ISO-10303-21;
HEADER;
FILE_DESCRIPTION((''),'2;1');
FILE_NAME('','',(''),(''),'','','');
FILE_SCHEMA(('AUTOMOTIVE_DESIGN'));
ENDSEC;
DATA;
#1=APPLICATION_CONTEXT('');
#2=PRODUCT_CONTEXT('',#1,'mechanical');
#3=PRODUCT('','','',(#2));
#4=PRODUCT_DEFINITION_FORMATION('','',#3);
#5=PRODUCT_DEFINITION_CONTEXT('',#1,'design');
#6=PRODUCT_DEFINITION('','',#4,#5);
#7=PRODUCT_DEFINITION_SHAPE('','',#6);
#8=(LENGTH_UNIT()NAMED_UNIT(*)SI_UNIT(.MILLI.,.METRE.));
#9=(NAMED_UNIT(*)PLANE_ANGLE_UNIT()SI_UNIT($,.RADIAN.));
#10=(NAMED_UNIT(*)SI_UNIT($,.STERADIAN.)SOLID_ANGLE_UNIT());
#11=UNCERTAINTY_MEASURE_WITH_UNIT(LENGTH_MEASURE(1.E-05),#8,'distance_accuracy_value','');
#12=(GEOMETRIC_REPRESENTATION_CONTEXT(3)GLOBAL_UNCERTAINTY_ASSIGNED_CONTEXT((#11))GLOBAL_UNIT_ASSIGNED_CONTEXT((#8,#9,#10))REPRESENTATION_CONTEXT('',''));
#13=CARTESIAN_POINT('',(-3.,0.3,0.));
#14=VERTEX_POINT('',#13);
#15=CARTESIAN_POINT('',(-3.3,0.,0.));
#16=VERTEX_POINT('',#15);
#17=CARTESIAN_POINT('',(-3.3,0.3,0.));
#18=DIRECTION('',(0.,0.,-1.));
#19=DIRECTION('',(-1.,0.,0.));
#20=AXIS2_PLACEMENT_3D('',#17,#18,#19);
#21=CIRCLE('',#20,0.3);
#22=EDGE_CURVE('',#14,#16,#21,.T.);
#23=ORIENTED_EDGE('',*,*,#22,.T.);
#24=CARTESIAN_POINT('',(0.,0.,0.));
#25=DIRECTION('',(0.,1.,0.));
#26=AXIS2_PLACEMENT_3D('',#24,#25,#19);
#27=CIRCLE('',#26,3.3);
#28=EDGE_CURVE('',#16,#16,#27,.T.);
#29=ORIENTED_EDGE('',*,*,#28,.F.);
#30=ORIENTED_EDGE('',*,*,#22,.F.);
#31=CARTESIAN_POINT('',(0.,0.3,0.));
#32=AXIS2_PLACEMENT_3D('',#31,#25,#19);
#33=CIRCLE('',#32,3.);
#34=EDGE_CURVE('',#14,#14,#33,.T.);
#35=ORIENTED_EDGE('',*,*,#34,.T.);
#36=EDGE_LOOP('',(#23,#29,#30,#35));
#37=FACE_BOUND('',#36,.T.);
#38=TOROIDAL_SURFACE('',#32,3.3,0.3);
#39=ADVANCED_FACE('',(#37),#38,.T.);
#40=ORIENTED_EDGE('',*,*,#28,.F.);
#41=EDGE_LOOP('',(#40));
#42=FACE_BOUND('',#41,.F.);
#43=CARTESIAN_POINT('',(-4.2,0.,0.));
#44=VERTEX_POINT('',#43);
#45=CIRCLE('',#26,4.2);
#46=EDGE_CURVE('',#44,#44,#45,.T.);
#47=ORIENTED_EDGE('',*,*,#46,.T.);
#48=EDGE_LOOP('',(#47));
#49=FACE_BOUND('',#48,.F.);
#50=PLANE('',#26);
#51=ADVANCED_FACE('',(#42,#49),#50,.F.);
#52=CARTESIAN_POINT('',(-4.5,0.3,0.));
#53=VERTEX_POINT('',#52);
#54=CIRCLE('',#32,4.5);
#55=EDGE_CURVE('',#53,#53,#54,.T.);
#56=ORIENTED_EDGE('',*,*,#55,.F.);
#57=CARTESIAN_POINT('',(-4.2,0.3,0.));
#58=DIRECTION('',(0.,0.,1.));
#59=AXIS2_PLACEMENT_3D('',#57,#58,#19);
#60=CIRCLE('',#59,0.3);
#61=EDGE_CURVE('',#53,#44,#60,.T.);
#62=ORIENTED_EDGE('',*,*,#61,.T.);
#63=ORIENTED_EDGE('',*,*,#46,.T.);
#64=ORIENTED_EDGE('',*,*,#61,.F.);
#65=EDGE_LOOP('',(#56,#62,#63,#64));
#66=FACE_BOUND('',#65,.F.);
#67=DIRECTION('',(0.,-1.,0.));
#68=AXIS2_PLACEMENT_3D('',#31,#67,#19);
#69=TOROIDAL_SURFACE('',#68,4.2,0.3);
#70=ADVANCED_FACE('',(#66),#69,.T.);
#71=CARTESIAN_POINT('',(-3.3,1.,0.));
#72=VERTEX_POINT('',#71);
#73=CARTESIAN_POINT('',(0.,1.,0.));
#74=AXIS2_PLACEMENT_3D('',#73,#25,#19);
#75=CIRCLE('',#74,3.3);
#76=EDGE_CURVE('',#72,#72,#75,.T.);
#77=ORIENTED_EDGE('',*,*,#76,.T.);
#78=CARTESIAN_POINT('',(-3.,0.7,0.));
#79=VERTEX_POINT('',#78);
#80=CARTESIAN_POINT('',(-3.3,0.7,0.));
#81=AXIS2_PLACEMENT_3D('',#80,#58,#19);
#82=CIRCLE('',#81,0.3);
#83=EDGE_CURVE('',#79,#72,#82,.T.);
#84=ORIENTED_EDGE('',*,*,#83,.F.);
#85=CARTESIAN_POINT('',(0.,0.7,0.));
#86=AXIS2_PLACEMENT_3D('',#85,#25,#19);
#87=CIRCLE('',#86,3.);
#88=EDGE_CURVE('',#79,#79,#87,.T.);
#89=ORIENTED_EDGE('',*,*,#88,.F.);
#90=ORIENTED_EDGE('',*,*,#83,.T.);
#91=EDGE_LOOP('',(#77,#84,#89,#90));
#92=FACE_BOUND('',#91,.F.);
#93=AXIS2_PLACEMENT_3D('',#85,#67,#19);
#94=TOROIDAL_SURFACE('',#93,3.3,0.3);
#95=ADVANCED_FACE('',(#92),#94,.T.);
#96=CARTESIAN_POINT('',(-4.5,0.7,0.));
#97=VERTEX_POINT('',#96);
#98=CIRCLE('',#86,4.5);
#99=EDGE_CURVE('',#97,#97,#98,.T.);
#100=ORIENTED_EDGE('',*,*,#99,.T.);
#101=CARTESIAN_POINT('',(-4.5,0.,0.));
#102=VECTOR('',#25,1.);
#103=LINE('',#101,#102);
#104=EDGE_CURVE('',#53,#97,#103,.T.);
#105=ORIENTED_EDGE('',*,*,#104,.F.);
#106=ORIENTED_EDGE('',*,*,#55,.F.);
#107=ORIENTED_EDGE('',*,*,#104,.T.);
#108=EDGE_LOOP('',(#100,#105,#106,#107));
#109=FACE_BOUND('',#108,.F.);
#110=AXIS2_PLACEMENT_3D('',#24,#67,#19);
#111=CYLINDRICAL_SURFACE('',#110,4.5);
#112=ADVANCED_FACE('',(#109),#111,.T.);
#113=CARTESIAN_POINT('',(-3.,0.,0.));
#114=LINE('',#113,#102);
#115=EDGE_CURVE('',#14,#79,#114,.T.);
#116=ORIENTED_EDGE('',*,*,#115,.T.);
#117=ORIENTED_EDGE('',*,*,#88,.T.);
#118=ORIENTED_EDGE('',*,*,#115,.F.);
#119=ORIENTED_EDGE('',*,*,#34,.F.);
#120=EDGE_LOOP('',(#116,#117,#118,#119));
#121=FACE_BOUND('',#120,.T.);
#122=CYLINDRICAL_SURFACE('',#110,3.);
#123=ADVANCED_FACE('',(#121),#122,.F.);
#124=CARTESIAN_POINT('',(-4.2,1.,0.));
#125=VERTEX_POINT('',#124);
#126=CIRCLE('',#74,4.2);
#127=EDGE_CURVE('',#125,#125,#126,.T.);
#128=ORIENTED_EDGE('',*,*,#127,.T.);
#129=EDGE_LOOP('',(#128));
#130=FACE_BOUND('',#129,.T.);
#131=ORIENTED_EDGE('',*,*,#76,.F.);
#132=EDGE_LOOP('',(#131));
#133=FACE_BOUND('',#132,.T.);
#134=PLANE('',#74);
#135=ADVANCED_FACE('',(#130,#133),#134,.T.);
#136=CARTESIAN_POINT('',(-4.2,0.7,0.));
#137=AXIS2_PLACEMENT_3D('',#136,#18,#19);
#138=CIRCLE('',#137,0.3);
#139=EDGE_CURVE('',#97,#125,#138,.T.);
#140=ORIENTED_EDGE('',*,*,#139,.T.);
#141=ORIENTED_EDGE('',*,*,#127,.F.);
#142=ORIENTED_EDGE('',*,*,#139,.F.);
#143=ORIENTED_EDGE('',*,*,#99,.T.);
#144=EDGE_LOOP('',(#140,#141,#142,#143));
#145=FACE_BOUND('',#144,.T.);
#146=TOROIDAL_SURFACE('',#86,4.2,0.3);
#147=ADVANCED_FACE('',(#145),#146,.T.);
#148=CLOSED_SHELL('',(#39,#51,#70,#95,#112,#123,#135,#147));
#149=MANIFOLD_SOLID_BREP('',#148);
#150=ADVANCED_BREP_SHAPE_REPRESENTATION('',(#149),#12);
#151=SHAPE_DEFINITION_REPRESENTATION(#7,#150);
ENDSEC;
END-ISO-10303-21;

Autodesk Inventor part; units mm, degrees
ref_plane "YZ Plane" through (0, 0, 0) normal (1, 0, 0) x (0, 1, 0)
ref_plane "XZ Plane" through (0, 0, 0) normal (0, 1, 0) x (-1, 0, 0)
ref_plane "XY Plane" through (0, 0, 0) normal (0, 0, 1) x (1, 0, 0)
sketch "スケッチ1" plane through (0, 0, 0) normal (0, 1, 0) x (-1, 0, 0)
  circle A0 centre (0, 0) radius 3
  circle A1 centre (0, 0) radius 4.5
  dimension "d0" = 6
  dimension "d1" = 9
extrude "押し出し1" add sketch "スケッチ1" along normal blind 1
fillet "フィレット1" radius 0.3 4 edges at (3, 1, 0) (3, 0, 0) (4.5, 1, 0) (4.5, 0, 0)
properties part number "SimLing" material "鉄、ねずみ鋳鉄 ASTM A-48 グレード 50"
